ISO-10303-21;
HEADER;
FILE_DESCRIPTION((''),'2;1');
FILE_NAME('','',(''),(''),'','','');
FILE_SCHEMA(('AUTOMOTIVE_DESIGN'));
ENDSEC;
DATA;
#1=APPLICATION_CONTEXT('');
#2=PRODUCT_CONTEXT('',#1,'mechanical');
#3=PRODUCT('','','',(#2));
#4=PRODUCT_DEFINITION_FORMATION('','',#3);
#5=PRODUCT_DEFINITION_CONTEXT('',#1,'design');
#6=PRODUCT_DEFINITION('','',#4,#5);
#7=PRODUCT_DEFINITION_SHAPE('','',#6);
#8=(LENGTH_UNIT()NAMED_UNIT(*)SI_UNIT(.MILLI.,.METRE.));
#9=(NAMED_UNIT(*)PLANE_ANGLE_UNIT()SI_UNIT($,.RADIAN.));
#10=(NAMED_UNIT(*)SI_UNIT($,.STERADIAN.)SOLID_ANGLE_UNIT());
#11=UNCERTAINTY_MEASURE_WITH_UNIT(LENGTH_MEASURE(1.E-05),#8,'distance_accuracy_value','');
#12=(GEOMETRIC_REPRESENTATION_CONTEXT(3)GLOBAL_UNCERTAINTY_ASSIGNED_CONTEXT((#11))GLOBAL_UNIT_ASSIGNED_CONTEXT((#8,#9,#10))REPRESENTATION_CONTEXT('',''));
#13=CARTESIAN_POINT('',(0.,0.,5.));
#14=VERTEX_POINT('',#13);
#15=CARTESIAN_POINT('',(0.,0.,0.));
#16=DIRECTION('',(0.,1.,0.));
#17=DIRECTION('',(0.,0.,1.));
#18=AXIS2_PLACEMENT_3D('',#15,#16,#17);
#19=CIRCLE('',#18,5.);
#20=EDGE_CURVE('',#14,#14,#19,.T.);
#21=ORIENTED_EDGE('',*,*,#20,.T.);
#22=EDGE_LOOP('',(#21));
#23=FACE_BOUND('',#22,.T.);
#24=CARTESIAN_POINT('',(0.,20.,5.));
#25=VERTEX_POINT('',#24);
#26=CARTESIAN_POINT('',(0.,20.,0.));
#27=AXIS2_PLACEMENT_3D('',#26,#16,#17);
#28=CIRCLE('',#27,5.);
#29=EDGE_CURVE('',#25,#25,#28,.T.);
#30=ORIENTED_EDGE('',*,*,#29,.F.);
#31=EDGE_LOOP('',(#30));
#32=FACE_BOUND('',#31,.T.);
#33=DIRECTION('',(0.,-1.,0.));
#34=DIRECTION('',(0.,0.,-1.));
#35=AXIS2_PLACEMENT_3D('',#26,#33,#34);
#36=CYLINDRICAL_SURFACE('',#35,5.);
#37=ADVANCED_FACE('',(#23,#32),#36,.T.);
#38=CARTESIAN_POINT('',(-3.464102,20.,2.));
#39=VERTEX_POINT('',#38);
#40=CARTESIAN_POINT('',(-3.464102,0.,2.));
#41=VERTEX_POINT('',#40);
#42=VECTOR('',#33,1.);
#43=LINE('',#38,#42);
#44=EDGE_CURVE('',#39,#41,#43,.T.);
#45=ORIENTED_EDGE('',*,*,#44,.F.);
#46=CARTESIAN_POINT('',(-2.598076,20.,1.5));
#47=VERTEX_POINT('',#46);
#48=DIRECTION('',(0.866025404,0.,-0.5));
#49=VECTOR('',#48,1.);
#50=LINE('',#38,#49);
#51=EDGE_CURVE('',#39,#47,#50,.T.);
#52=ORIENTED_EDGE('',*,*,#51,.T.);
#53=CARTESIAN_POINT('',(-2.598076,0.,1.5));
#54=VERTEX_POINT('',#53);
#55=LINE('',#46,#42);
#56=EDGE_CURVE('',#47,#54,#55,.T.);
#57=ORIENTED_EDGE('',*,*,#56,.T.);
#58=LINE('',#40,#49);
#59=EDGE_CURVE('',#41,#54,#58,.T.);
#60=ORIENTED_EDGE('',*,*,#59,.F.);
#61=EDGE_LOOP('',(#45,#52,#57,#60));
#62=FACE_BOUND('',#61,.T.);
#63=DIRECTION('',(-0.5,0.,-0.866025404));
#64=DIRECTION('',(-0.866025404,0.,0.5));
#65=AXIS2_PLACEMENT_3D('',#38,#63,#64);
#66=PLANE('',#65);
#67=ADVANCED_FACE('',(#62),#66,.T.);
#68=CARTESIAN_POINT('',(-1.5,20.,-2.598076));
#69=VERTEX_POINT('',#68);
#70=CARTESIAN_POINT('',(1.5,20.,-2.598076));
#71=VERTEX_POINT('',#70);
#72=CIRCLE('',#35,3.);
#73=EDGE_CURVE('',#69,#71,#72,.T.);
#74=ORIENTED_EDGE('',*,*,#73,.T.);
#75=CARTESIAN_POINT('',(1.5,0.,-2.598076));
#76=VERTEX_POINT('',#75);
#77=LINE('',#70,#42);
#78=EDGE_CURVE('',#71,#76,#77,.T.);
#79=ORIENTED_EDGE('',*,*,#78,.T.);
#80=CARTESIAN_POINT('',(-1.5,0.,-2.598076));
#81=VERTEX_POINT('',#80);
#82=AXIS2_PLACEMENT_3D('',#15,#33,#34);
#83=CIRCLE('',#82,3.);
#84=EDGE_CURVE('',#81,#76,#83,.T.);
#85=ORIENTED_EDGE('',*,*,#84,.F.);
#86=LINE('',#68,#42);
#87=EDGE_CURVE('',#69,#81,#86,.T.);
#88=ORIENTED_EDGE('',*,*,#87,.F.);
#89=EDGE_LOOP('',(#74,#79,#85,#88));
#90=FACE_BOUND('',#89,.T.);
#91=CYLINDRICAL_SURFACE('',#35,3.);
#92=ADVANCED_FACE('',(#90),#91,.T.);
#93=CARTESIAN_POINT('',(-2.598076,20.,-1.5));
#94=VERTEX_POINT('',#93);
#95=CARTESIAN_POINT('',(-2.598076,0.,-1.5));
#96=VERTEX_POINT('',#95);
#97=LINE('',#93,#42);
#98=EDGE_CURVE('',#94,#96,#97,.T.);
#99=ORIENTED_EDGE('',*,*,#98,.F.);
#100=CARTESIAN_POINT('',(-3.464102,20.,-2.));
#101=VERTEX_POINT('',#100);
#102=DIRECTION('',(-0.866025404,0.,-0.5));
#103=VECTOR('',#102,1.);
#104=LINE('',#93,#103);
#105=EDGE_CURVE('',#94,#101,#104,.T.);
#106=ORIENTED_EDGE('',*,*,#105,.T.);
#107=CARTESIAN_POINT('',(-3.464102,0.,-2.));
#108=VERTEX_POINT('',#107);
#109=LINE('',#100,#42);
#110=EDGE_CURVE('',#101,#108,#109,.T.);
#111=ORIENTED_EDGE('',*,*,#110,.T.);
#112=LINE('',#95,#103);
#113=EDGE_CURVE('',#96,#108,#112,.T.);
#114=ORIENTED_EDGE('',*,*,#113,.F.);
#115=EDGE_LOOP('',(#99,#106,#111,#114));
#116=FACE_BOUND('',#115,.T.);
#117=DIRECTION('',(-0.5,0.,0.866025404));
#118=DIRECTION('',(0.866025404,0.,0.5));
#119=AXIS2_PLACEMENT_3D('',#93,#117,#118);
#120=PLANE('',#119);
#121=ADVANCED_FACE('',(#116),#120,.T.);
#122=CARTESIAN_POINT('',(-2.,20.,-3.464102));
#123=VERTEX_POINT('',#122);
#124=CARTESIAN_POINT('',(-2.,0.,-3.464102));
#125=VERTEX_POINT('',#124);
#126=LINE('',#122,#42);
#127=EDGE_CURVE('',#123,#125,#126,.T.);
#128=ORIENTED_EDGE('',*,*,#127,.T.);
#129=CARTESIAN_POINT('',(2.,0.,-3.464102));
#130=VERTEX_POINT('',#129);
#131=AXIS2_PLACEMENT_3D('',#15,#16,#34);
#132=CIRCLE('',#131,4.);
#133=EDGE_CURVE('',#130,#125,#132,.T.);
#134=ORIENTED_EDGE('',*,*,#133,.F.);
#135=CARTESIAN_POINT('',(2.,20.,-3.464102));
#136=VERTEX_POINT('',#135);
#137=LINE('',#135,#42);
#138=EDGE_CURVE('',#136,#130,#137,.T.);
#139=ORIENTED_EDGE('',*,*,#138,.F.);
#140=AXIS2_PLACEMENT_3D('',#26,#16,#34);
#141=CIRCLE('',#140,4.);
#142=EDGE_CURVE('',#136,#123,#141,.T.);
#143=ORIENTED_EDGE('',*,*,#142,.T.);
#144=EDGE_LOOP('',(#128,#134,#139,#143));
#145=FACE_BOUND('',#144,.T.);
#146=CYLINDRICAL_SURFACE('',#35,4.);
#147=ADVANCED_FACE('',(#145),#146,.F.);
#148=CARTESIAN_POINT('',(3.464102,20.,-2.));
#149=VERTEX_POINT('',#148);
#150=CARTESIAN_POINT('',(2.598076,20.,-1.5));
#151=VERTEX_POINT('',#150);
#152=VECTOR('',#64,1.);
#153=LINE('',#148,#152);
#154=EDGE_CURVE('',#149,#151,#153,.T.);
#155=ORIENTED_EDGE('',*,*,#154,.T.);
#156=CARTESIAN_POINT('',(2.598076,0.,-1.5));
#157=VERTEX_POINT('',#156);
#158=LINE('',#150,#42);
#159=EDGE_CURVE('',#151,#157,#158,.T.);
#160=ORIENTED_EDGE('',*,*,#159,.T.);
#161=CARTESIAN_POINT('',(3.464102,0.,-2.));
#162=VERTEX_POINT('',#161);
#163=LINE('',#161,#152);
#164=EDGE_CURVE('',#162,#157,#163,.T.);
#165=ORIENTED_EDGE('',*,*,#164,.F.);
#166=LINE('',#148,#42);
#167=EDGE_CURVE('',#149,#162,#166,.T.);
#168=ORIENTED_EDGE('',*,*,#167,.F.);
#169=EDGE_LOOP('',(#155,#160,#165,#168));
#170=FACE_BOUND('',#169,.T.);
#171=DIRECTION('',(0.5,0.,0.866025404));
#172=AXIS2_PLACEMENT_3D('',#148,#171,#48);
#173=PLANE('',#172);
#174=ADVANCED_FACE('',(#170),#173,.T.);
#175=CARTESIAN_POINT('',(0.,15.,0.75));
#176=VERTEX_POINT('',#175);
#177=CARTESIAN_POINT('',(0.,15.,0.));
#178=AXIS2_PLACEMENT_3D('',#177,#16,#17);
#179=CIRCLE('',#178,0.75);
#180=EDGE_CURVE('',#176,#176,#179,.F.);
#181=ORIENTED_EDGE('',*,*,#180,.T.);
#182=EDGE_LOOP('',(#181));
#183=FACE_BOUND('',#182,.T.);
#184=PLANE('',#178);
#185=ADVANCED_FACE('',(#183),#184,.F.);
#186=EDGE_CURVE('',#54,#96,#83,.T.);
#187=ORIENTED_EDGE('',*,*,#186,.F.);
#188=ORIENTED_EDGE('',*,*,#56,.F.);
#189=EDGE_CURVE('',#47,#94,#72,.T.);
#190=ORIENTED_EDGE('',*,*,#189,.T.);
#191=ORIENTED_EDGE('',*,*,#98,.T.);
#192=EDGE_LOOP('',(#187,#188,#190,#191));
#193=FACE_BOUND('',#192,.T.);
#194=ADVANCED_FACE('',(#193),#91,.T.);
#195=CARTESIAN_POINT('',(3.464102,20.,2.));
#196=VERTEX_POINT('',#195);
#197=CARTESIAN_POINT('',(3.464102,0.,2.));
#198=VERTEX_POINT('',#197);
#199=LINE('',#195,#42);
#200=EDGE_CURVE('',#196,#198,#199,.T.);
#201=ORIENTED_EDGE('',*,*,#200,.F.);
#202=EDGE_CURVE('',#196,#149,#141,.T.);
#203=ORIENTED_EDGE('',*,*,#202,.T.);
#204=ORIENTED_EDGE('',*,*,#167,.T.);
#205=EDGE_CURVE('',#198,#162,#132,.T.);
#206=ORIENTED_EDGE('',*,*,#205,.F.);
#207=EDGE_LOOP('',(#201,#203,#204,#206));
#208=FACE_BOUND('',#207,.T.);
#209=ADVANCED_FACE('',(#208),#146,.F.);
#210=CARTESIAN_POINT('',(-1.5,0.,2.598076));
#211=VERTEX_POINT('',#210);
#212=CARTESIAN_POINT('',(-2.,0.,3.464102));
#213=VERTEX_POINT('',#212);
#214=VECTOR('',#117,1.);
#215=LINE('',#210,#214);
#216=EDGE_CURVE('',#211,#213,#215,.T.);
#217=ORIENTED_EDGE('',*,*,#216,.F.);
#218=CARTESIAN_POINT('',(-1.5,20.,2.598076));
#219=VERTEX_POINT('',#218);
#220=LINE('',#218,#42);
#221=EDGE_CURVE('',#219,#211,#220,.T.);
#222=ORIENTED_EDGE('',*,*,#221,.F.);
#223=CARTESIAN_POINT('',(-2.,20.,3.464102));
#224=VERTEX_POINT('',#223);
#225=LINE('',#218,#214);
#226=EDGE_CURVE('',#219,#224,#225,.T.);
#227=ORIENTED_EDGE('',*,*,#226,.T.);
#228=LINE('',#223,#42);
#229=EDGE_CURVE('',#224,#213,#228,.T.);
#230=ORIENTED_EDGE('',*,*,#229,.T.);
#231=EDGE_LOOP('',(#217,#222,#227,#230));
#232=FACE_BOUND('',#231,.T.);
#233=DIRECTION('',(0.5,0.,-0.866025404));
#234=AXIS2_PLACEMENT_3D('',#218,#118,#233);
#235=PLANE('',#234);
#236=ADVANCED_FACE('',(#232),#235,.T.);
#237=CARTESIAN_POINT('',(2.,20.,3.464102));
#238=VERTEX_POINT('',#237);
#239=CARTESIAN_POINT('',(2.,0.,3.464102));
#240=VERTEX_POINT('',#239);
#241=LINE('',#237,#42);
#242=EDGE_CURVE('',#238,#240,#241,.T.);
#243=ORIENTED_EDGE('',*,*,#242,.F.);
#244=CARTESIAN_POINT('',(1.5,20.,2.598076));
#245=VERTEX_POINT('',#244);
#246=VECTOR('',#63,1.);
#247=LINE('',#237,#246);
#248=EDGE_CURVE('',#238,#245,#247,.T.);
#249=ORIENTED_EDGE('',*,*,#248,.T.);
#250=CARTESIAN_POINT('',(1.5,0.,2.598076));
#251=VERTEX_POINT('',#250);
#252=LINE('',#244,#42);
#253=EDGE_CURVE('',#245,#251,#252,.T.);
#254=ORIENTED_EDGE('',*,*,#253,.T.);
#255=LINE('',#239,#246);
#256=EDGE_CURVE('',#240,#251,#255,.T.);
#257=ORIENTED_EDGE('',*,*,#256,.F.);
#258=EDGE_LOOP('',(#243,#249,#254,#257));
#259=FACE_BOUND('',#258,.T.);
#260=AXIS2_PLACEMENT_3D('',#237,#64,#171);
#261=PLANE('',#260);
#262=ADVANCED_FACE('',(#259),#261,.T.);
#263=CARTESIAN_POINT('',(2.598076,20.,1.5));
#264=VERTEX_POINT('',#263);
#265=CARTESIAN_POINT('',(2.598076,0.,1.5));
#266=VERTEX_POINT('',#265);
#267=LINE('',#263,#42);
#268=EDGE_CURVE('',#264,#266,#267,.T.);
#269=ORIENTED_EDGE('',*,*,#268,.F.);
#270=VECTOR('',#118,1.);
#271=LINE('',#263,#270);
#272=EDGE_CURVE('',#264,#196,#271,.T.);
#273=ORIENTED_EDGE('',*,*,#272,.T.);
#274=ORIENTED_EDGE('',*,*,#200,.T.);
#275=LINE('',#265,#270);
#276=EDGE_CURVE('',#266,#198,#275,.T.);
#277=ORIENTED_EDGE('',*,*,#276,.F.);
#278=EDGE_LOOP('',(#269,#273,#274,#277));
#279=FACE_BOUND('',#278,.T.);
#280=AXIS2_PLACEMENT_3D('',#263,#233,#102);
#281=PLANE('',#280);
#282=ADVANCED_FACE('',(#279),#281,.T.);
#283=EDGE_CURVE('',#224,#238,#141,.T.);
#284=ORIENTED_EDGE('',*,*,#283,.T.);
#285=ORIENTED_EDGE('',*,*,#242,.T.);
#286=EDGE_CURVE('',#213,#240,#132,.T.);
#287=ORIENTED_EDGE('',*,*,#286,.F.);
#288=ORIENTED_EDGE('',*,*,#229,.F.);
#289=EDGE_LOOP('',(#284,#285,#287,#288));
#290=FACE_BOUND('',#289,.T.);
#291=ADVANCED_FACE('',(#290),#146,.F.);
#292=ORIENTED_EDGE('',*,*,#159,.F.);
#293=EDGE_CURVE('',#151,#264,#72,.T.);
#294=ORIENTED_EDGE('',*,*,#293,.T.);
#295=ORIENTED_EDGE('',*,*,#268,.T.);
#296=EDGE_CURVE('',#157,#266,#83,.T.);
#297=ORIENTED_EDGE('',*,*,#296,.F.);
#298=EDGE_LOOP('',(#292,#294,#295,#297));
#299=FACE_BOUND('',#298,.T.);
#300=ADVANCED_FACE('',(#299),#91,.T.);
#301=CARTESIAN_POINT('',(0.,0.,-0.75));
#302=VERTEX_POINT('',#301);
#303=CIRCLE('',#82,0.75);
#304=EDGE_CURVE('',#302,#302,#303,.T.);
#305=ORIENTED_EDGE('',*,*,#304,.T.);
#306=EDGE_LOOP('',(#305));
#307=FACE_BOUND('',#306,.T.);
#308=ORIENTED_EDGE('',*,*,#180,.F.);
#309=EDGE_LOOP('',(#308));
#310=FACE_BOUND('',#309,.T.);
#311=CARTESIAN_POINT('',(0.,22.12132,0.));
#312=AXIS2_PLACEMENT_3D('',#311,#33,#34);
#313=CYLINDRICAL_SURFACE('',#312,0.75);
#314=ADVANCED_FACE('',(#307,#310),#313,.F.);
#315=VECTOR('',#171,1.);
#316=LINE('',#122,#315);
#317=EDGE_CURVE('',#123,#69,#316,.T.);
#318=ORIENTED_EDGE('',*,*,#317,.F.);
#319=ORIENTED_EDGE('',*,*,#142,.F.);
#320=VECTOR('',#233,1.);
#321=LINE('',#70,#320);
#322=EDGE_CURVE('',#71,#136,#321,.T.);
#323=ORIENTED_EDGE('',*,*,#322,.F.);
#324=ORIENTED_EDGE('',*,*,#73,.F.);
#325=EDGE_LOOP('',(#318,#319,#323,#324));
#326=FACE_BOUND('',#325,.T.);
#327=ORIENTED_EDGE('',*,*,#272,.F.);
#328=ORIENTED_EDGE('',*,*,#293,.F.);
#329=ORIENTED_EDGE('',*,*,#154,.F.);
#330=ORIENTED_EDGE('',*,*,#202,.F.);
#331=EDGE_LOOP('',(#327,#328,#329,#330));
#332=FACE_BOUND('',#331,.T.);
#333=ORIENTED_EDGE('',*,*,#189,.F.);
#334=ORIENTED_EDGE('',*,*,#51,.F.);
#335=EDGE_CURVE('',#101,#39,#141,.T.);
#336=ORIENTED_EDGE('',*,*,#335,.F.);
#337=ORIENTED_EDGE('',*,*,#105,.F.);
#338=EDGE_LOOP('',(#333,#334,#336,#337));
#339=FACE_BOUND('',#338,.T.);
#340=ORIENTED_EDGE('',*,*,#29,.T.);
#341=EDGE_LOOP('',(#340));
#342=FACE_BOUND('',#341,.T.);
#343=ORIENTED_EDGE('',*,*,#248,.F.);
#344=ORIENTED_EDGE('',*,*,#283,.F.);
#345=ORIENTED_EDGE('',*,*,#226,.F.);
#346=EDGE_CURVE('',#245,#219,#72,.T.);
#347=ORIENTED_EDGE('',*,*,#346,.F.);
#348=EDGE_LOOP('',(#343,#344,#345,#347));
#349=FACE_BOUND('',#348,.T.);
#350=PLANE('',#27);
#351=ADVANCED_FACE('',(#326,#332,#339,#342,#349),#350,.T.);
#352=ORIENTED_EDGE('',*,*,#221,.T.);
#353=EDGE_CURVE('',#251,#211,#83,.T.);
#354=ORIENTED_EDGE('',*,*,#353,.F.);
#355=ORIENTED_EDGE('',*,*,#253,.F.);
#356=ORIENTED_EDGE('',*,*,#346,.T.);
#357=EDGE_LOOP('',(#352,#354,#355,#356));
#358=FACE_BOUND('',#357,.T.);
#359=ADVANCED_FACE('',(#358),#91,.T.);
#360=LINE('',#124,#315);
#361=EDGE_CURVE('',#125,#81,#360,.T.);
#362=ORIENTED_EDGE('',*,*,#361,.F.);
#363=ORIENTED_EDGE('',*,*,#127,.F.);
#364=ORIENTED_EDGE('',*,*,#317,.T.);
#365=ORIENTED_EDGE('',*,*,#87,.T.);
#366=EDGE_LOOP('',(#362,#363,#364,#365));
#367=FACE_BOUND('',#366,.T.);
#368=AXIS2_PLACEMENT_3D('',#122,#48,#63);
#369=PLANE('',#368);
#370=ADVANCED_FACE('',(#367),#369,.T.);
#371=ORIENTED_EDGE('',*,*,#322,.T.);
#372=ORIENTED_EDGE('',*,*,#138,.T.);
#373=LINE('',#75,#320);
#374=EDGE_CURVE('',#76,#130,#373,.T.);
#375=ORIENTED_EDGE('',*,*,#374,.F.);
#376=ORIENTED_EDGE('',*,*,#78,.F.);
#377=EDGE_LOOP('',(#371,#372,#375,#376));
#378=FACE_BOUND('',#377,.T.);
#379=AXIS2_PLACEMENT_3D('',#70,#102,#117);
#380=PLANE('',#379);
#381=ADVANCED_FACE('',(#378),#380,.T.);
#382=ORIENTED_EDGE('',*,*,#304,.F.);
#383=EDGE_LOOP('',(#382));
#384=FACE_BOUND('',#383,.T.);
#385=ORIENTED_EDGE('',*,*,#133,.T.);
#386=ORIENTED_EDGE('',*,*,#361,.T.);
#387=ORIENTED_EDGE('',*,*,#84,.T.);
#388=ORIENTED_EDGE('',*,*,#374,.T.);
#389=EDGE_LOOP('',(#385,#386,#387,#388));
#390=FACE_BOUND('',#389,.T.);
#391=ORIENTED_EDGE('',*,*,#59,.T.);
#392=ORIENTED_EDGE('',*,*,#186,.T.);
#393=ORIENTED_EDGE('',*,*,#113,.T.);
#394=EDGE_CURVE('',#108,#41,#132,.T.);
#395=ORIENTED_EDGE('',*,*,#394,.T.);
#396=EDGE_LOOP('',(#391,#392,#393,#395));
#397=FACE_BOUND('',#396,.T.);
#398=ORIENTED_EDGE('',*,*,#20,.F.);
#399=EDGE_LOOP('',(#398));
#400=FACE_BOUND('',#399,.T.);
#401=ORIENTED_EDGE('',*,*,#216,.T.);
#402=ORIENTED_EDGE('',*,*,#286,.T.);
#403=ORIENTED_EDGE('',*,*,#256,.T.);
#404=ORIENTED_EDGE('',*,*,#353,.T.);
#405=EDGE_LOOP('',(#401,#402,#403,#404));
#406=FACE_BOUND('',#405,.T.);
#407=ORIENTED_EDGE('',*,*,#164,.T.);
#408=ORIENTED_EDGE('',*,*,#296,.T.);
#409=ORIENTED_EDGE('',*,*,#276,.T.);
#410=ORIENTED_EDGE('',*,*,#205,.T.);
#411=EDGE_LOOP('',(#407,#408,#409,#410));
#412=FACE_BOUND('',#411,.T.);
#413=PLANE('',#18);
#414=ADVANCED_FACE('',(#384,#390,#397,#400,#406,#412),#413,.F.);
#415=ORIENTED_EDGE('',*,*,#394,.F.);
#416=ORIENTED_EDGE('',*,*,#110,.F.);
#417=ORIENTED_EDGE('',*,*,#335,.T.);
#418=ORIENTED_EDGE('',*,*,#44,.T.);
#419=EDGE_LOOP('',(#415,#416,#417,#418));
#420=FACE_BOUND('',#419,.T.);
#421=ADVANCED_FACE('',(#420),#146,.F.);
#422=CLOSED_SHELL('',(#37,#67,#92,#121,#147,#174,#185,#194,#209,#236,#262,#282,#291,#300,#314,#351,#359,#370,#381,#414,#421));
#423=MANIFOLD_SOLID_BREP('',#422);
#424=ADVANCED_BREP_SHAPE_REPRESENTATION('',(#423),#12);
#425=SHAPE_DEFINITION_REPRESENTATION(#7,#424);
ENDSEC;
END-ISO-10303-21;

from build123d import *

# Parameters (mm, degrees)
SKETCH1_R           = 5
BOSS_EXTRUDE1_DEPTH = 20
SKETCH2_R           = 0.75
CUT_EXTRUDE1_DEPTH  = 15


with BuildPart() as part:
    # Sketch1 → Boss-Extrude1 (new body)
    with BuildSketch(Plane(origin=(0, 0, 0), x_dir=(1, 0, 0), z_dir=(0, 1, 0))):
        with Locations(Location((0, 0, 0), (0, 0, 270))):
            Circle(SKETCH1_R)
        with BuildLine():
            Line((-2, 3.464101615), (-1.5, 2.598076211))
            ThreePointArc((-1.5, 2.598076211), (0, 3), (1.5, 2.598076211))
            Line((1.5, 2.598076211), (2, 3.464101615))
            ThreePointArc((2, 3.464101615), (0, 4), (-2, 3.464101615))
        make_face(mode=Mode.SUBTRACT)
        with BuildLine():
            Line((2.598076211, -1.5), (3.464101615, -2))
            ThreePointArc((3.464101615, -2), (4, 0), (3.464101615, 2))
            Line((3.464101615, 2), (2.598076211, 1.5))
            ThreePointArc((2.598076211, 1.5), (3, 0), (2.598076211, -1.5))
        make_face(mode=Mode.SUBTRACT)
        with BuildLine():
            Line((-1.5, -2.598076211), (-2, -3.464101615))
            ThreePointArc((-2, -3.464101615), (0, -4), (2, -3.464101615))
            Line((2, -3.464101615), (1.5, -2.598076211))
            ThreePointArc((1.5, -2.598076211), (0, -3), (-1.5, -2.598076211))
        make_face(mode=Mode.SUBTRACT)
        with BuildLine():
            Line((-2.598076211, 1.5), (-3.464101615, 2))
            ThreePointArc((-3.464101615, 2), (-4, 0), (-3.464101615, -2))
            Line((-3.464101615, -2), (-2.598076211, -1.5))
            ThreePointArc((-2.598076211, -1.5), (-3, 0), (-2.598076211, 1.5))
        make_face(mode=Mode.SUBTRACT)
    extrude(amount=BOSS_EXTRUDE1_DEPTH)

    # Sketch2 → Cut-Extrude1 (cut)
    with BuildSketch(Plane.XZ):
        with Locations(Location((0, 0, 0), (0, 0, 270))):
            Circle(SKETCH2_R)
    extrude(amount=-CUT_EXTRUDE1_DEPTH, mode=Mode.SUBTRACT)


solid = part.part
